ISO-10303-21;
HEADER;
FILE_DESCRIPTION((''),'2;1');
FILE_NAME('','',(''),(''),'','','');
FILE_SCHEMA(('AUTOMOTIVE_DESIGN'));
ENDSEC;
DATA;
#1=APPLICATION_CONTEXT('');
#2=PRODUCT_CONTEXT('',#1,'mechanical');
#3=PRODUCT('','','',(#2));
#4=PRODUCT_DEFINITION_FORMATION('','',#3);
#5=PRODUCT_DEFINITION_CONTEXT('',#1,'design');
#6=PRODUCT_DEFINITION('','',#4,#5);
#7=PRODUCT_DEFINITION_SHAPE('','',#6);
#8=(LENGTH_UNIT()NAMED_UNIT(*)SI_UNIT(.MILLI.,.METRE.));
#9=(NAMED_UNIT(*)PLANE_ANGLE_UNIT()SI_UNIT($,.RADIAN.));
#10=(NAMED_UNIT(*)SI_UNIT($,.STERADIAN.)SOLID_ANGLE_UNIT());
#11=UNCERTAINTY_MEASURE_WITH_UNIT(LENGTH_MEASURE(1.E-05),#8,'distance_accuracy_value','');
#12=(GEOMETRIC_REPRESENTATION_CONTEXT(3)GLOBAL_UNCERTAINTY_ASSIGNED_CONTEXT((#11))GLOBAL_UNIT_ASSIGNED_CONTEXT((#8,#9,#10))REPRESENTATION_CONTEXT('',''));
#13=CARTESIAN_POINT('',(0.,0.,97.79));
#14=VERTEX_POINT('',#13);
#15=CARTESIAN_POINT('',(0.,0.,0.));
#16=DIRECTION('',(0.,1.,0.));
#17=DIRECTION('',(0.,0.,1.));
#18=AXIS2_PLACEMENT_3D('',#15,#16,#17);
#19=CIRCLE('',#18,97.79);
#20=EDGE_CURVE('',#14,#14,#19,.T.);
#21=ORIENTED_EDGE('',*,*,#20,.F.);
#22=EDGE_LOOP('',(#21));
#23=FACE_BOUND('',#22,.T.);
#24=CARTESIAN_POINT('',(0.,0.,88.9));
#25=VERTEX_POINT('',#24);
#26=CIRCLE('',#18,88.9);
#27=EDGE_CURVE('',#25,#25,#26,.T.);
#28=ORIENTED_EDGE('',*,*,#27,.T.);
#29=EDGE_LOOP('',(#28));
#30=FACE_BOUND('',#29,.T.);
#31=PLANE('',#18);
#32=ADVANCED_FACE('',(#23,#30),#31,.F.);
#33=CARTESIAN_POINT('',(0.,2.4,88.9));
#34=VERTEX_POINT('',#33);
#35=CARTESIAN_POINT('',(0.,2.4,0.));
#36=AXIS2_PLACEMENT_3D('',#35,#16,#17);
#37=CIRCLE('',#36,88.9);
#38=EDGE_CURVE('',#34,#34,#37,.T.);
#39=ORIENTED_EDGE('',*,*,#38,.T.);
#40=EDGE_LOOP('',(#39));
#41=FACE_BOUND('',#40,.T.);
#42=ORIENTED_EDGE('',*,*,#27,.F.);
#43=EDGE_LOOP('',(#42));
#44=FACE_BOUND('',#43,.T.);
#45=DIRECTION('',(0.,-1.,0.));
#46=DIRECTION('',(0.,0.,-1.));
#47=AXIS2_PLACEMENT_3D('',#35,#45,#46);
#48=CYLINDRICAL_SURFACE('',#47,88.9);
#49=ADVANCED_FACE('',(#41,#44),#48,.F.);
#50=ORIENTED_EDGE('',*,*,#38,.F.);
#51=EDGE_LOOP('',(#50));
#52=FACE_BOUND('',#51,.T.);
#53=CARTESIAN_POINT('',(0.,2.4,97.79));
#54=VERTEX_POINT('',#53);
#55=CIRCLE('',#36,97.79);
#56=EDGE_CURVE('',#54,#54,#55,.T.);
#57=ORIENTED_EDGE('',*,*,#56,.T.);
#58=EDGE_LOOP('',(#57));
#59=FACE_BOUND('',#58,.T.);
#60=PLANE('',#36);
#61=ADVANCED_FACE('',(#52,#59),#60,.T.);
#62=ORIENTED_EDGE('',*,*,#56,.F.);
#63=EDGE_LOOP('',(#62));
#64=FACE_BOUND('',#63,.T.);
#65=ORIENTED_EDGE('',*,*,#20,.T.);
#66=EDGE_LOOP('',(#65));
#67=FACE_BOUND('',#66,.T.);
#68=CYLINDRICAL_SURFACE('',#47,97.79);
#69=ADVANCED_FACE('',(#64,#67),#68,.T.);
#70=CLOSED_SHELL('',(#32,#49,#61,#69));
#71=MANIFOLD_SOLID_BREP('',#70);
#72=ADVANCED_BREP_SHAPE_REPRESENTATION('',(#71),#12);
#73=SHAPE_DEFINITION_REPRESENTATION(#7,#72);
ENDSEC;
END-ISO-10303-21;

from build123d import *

# Parameters (mm, degrees)
SKETCH1_R           = 97.79
SKETCH1_R_2         = 88.9
BOSS_EXTRUDE1_DEPTH = 2.4


with BuildPart() as part:
    # Sketch1 → Boss-Extrude1 (new body)
    with BuildSketch(Plane(origin=(0, 0, 0), x_dir=(1, 0, 0), z_dir=(0, 1, 0))):
        Circle(SKETCH1_R)
        Circle(SKETCH1_R_2, mode=Mode.SUBTRACT)
    extrude(amount=BOSS_EXTRUDE1_DEPTH)


solid = part.part
